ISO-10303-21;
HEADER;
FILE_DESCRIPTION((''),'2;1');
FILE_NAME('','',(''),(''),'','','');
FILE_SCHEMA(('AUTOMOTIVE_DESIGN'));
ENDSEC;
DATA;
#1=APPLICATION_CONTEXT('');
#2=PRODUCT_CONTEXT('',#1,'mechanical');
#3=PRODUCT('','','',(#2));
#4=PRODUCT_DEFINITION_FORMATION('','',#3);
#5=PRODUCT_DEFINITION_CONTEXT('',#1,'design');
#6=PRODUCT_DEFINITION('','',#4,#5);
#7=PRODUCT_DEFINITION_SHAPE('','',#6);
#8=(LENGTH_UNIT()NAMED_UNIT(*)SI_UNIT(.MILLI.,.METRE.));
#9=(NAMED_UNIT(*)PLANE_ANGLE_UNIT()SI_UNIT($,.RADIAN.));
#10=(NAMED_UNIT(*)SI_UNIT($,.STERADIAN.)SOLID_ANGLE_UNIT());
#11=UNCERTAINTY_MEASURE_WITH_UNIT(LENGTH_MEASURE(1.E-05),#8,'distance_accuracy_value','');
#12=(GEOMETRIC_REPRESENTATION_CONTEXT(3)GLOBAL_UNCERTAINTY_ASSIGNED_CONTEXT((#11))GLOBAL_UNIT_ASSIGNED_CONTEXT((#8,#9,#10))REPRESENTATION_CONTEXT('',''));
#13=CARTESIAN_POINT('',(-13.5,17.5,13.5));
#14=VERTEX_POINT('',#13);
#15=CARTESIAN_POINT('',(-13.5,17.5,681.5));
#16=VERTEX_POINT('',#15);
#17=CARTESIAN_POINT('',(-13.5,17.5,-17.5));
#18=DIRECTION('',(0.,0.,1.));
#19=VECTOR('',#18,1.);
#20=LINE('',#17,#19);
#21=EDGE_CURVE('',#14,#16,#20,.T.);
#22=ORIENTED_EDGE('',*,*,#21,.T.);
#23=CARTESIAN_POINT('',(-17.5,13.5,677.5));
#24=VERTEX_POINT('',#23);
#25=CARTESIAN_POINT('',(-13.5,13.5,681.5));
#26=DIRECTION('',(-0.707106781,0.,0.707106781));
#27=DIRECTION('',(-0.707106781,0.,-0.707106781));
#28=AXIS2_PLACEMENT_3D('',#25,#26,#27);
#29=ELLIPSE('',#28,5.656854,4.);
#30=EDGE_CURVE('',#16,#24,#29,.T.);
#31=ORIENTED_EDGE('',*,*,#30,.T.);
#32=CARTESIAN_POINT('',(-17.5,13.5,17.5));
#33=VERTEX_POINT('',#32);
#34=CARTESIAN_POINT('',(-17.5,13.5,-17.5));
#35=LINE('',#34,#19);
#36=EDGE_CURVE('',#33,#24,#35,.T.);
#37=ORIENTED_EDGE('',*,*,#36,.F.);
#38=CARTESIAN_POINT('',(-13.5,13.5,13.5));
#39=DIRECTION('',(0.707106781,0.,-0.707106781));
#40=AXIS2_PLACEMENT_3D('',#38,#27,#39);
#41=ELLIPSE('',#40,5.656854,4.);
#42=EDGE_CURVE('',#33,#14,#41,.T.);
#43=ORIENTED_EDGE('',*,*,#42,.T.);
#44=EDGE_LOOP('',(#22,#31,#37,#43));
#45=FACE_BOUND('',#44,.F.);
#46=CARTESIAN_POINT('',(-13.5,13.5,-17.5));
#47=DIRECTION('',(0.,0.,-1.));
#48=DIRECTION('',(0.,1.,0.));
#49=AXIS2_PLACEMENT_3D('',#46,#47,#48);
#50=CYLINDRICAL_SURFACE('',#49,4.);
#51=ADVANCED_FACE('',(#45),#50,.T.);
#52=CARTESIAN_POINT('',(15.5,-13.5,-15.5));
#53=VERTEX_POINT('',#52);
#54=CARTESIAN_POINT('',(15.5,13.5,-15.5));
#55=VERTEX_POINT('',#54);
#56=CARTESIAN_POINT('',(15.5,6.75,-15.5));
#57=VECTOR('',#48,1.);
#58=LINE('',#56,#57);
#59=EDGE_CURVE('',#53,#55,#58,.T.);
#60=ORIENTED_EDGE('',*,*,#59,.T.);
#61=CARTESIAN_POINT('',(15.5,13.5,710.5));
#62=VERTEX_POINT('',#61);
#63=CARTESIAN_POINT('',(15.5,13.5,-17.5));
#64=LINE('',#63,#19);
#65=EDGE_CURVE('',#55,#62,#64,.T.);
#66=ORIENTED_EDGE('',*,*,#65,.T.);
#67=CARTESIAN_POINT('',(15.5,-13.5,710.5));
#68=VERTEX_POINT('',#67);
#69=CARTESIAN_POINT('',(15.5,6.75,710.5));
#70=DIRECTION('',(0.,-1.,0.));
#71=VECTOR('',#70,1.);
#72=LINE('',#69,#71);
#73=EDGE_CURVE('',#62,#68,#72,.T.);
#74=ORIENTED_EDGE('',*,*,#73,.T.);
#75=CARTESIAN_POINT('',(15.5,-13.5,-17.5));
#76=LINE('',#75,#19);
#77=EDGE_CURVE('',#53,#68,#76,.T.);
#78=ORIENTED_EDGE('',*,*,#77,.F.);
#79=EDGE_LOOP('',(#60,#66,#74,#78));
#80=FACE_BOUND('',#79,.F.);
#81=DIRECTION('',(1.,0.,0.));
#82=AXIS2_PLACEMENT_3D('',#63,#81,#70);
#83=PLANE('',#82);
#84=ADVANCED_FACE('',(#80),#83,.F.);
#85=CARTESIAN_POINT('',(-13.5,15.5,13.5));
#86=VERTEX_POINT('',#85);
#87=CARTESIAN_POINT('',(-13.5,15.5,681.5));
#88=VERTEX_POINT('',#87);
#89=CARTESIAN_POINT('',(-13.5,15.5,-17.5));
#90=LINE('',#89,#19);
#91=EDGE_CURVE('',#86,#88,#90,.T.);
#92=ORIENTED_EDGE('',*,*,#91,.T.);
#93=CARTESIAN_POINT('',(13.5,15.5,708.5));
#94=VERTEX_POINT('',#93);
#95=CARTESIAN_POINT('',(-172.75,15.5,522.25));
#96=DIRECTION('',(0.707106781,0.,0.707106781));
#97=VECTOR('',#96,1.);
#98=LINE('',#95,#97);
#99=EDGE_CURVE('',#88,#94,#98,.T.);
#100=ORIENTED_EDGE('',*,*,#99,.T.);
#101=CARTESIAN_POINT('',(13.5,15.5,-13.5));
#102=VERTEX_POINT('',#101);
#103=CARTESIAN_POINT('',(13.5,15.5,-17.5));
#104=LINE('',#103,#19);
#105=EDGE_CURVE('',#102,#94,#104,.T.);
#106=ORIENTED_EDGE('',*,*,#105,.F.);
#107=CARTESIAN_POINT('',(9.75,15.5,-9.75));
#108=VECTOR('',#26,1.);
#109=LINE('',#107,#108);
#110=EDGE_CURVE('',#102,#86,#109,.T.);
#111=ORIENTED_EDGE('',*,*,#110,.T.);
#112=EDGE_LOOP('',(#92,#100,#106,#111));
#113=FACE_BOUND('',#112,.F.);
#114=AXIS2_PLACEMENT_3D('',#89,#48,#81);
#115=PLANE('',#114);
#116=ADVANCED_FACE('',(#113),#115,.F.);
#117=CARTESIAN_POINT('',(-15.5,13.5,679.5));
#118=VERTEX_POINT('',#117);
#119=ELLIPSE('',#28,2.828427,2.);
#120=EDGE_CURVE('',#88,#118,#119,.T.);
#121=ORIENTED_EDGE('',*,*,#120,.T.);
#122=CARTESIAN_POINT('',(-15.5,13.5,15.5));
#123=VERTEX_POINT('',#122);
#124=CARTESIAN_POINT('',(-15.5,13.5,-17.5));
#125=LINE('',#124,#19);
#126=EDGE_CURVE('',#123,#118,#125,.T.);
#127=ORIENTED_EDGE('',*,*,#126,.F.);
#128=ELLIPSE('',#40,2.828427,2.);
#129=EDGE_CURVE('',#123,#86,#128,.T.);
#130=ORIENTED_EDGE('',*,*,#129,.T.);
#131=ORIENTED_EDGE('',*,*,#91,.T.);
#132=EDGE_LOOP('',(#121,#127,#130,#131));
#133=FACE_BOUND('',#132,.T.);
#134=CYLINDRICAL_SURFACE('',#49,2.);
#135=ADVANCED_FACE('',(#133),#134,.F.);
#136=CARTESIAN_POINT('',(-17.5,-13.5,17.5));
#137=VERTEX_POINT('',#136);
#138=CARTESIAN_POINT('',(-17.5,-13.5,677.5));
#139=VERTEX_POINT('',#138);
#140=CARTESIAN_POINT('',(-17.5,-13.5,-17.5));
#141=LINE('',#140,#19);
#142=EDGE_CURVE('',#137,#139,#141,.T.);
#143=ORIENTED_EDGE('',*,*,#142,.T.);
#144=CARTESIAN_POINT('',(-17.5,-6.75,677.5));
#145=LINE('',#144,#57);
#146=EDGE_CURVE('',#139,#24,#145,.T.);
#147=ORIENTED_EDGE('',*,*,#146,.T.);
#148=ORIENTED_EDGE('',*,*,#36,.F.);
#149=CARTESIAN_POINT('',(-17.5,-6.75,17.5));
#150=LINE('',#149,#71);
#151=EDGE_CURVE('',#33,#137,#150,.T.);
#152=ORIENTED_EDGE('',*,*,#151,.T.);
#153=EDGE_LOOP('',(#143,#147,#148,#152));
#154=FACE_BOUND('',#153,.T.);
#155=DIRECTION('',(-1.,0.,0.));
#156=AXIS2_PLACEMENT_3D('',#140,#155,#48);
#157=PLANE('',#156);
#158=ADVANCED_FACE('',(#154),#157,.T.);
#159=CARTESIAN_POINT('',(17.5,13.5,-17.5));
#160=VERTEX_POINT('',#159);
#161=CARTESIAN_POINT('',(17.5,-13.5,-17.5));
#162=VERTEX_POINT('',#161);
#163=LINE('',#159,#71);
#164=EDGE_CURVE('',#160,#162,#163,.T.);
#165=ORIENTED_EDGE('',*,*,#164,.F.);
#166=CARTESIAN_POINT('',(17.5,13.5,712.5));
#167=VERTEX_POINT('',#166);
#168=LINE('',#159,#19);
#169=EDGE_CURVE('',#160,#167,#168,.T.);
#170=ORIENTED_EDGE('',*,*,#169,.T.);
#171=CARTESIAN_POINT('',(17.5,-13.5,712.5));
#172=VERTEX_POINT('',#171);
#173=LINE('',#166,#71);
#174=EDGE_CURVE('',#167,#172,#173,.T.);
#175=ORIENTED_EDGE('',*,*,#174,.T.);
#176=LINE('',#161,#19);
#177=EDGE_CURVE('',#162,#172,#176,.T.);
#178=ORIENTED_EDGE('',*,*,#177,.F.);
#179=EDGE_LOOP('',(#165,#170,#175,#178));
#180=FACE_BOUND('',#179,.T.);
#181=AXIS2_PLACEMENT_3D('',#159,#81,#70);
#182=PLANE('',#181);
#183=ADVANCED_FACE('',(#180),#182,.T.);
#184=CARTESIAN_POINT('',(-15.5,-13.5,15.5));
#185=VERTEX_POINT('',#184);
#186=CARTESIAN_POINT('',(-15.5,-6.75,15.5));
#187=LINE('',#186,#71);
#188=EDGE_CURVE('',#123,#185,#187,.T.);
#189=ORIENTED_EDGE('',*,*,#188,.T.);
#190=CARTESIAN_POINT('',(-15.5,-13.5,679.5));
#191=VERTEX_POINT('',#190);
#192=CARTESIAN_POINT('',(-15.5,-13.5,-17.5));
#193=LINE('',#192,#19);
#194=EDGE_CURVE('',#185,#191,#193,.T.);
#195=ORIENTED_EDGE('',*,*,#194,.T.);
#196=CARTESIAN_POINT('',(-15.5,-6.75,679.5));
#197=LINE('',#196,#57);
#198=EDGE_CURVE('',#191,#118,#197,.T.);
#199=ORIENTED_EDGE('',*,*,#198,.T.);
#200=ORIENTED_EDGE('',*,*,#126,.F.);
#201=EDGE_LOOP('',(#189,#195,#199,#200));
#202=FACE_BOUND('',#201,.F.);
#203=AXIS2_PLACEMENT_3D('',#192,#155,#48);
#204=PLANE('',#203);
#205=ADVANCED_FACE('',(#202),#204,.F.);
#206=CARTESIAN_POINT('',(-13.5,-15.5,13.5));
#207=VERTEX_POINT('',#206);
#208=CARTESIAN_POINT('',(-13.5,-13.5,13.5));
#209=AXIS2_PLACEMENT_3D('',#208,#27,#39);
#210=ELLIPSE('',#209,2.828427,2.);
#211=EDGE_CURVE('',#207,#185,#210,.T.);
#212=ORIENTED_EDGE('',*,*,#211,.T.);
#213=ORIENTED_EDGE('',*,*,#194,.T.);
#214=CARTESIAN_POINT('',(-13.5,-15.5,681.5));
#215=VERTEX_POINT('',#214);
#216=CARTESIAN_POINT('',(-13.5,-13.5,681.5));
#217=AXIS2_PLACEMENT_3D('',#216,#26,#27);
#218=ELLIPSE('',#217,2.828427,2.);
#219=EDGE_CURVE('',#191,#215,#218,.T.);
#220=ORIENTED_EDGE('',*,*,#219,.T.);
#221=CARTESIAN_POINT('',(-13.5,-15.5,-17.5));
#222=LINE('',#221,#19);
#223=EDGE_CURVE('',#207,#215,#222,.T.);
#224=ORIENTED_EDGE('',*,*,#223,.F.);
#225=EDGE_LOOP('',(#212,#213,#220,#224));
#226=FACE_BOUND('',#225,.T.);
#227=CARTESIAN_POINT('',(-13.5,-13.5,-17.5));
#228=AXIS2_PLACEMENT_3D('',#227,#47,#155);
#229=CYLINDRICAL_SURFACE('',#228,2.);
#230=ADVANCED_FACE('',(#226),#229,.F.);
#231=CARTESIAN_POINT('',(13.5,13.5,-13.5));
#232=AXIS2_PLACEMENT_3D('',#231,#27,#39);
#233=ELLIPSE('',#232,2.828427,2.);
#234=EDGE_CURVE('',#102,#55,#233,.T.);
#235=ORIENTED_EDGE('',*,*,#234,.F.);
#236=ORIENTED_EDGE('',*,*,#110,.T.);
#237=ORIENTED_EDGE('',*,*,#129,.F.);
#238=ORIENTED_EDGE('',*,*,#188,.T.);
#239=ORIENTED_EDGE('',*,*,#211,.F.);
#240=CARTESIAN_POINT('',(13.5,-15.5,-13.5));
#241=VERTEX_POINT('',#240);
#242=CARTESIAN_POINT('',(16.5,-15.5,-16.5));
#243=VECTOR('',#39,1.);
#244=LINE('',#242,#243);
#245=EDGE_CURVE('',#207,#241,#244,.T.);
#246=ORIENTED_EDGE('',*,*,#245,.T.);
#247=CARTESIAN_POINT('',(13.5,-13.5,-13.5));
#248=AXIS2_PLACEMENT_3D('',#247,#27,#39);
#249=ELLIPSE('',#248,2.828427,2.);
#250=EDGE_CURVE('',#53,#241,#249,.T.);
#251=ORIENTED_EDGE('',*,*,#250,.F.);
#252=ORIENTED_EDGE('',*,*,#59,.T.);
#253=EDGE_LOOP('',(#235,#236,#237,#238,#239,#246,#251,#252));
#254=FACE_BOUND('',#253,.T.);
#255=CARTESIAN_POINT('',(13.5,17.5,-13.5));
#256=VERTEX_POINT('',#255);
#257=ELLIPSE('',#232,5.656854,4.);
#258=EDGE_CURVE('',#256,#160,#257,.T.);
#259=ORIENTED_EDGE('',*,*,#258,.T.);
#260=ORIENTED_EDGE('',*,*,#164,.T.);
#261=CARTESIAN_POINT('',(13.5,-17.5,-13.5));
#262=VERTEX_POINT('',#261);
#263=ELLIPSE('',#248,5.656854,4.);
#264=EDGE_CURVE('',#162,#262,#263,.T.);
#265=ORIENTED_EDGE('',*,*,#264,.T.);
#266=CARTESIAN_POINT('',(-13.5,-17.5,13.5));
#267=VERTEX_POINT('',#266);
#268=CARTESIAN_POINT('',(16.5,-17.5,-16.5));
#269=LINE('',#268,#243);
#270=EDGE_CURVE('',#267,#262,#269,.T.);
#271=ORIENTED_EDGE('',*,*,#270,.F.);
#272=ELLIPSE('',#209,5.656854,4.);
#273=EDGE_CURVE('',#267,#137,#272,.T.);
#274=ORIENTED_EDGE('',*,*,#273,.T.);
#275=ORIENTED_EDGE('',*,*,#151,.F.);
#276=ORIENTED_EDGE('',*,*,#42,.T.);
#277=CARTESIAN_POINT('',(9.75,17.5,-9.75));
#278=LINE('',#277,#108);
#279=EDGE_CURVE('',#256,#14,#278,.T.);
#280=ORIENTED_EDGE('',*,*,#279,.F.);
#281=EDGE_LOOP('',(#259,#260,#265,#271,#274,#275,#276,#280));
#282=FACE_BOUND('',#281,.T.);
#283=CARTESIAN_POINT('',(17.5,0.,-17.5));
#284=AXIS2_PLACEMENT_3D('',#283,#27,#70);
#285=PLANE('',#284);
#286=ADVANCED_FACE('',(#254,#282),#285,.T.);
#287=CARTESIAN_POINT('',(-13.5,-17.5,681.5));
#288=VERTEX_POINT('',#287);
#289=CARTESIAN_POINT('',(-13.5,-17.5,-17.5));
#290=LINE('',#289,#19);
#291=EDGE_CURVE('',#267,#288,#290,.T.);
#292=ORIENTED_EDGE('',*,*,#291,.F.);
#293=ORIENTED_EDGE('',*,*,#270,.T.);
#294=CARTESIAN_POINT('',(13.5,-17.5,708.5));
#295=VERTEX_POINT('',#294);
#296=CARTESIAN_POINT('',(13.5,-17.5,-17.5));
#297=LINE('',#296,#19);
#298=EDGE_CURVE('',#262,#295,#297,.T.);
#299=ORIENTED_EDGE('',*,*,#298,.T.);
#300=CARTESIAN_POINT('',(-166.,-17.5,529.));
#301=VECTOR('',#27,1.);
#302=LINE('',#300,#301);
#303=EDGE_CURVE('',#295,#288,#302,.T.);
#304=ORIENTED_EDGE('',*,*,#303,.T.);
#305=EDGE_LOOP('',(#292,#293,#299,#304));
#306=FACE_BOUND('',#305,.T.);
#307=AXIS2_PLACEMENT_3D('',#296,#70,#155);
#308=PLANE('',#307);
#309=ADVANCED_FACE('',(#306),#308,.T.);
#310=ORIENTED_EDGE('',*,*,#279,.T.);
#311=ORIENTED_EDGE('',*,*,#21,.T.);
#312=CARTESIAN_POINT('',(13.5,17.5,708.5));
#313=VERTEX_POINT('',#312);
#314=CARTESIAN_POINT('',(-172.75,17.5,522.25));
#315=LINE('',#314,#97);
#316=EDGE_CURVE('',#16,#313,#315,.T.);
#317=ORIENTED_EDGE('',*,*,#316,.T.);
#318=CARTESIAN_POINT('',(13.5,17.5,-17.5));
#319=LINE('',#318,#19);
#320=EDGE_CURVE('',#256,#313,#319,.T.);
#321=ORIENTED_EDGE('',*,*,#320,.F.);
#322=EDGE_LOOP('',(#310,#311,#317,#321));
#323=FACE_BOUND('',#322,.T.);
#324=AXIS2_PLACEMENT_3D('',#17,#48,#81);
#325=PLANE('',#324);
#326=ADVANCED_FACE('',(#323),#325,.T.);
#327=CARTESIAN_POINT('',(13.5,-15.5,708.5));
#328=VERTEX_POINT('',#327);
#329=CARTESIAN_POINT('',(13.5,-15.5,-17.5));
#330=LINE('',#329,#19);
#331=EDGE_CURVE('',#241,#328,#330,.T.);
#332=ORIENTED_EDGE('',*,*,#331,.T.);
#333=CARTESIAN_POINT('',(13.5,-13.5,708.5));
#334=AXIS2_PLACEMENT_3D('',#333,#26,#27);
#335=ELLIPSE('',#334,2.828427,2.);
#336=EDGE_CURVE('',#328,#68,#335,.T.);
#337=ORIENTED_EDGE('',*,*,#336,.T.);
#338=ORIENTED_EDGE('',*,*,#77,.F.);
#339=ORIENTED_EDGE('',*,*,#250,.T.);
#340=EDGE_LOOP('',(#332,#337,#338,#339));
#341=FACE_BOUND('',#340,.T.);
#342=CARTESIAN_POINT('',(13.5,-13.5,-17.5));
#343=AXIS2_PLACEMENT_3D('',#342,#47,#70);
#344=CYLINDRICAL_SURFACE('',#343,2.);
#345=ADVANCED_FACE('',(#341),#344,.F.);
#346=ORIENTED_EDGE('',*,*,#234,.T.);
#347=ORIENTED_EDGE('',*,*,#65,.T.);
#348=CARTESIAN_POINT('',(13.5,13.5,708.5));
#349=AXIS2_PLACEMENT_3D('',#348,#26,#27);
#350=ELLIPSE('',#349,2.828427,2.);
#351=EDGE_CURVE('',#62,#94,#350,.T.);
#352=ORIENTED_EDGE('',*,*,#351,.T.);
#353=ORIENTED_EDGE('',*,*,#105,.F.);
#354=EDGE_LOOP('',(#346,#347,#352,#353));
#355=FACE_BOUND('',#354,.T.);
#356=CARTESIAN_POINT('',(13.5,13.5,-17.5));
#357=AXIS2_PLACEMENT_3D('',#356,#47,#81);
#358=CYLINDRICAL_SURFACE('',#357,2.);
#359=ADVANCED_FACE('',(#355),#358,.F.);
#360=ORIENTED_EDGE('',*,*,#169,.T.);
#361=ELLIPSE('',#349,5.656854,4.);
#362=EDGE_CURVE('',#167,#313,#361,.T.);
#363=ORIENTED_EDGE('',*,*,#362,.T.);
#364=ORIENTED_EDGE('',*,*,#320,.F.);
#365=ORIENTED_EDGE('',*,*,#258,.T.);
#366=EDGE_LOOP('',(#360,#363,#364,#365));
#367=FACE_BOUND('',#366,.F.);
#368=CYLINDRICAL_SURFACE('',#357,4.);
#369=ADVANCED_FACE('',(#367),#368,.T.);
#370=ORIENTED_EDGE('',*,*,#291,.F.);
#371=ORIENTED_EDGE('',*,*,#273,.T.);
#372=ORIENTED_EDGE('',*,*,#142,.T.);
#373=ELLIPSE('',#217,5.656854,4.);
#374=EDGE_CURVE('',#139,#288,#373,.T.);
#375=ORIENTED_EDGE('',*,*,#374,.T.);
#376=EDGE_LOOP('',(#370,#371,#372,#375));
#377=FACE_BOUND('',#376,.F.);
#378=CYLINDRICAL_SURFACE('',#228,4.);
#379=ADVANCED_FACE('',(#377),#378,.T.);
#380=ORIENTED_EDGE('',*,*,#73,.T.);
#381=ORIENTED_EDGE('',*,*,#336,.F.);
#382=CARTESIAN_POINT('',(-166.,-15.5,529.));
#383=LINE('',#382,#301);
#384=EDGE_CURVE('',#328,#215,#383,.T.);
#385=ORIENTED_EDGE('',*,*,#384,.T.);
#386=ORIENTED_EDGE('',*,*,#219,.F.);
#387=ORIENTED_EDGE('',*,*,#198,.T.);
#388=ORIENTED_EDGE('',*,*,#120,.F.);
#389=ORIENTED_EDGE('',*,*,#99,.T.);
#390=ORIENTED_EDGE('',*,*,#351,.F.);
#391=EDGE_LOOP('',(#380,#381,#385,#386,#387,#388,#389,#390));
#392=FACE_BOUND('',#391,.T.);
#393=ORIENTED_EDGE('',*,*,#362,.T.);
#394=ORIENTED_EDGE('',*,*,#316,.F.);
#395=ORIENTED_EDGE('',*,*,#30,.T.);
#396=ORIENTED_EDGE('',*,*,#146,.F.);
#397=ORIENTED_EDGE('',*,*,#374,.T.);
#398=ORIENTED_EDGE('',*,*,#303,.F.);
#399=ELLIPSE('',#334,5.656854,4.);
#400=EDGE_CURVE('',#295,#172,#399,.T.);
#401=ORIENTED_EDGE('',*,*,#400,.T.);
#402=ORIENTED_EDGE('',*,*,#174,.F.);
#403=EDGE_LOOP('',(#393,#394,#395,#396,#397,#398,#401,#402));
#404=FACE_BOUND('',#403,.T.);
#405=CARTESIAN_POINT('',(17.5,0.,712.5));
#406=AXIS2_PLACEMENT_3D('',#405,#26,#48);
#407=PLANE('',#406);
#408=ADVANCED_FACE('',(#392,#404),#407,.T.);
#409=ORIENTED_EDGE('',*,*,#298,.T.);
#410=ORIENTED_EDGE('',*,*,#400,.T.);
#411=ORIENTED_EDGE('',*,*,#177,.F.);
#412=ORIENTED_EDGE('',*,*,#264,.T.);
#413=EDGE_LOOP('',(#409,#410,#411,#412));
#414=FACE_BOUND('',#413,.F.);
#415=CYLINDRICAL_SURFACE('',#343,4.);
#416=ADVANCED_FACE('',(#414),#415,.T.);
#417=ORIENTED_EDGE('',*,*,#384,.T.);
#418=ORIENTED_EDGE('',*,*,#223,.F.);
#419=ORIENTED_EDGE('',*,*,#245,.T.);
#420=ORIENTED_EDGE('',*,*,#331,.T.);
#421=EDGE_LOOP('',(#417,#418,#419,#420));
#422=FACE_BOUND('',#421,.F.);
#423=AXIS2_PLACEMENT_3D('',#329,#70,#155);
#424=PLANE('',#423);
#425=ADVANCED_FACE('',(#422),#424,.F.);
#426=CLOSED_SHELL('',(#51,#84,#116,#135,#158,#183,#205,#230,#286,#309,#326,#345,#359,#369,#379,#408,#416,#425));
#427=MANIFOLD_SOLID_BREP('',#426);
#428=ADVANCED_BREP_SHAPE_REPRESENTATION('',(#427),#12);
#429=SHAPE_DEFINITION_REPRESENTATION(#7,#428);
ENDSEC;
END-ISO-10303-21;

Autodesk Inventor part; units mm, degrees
ref_plane "Start plane" through (0, 0, -17.5) normal (0, 0, 1) x (1, 0, 0)
ref_plane "End plane" through (0, 0, 712.5) normal (0, 0, 1) x (1, 0, 0)
sketch "Sketch" plane through (0, 0, 0) normal (0, 0, 1) x (1, 0, 0)
  line L0 (-17.5, -13.5) -> (-17.5, 13.5)
  line L1 (-13.5, 17.5) -> (13.5, 17.5)
  line L2 (17.5, 13.5) -> (17.5, -13.5)
  line L3 (13.5, -17.5) -> (-13.5, -17.5)
  arc A0 (-17.5, -13.5) -> (-13.5, -17.5) centre (-13.5, -13.5) ccw
  arc A1 (-13.5, 17.5) -> (-17.5, 13.5) centre (-13.5, 13.5) ccw
  arc A2 (17.5, 13.5) -> (13.5, 17.5) centre (13.5, 13.5) ccw
  arc A3 (13.5, -17.5) -> (17.5, -13.5) centre (13.5, -13.5) ccw
  arc A4 (-13.5, 15.5) -> (-15.5, 13.5) centre (-13.5, 13.5) ccw
  line L4 (-13.5, 15.5) -> (13.5, 15.5)
  arc A5 (15.5, 13.5) -> (13.5, 15.5) centre (13.5, 13.5) ccw
  line L5 (15.5, 13.5) -> (15.5, -13.5)
  arc A6 (13.5, -15.5) -> (15.5, -13.5) centre (13.5, -13.5) ccw
  line L6 (13.5, -15.5) -> (-13.5, -15.5)
  arc A7 (-15.5, -13.5) -> (-13.5, -15.5) centre (-13.5, -13.5) ccw
  line L7 (-15.5, -13.5) -> (-15.5, 13.5)
  line L8 (0, 25.6598) -> (0, -25.6598) construction
  line L9 (-25.6598, 0) -> (25.6598, 0) construction
  dimension "d7" = 4
  dimension "d10" = 35
  dimension "d11" = 35
  dimension "d12" = 2
  dimension "d15" = 17.5
  dimension "d16" = 17.5
extrude "Body" add sketch "Sketch" along normal up to surface (730 mm away) from surface at -17.5
sketch "Sketch3" plane through (0, 0, 0) normal (0, 0, 1) x (1, 0, 0)
  line L0 (0, 0) -> (10, 0)
ref_plane "Work Plane3" through (0, 0, 0) normal (0, -1, 0) x (1, 0, 0)
sketch "Sketch4" plane through (0, 0, 0) normal (0, -1, 0) x (1, 0, 0)
  line L0 (-2, -17.5) -> (12, -17.5)
  line L1 (-2, 712.5) -> (12, 712.5)
  dimension "d18" = 730
ref_plane "Work Plane9" through (17.5, 0, -17.5) normal (-0.7071, 0, -0.7071) x (-0.7071, 0, 0.7071)
split "Split6" plane through (17.5, 0, -17.5) removes the side toward (-0.7071, 0, -0.7071)
ref_plane "Work Plane10" through (17.5, 0, 712.5) normal (-0.7071, 0, 0.7071) x (0.7071, 0, 0.7071)
split "Split7" plane through (17.5, 0, 712.5) removes the side toward (-0.7071, 0, 0.7071)
equation "\"d7\" = G_IR"
equation "\"d10\" = G_H"
equation "\"d11\" = G_W"
equation "\"d12\" = G_T"
equation "\"d15\" = 0.5 * d10"
equation "\"d16\" = 0.5 * d11"
equation "\"d3\" = G_L"
equation "\"G_W\" = 35"
equation "\"G_H\" = 35"
equation "\"G_T\" = 2"
equation "\"G_IR\" = 4"
equation "\"G_L\" = d18"
equation "\"G_OFFSET_START\" = 17.5"
equation "\"G_OFFSET_END\" = 17.5"
equation "\"d13\" = -G_OFFSET_START"
equation "\"d14\" = G_OFFSET_END + B_L"
equation "\"B_L\" = 695"
properties part number "AS 1163 - C350L0 35x35x2.0 SHS - 730" material "Steel, Mild"
